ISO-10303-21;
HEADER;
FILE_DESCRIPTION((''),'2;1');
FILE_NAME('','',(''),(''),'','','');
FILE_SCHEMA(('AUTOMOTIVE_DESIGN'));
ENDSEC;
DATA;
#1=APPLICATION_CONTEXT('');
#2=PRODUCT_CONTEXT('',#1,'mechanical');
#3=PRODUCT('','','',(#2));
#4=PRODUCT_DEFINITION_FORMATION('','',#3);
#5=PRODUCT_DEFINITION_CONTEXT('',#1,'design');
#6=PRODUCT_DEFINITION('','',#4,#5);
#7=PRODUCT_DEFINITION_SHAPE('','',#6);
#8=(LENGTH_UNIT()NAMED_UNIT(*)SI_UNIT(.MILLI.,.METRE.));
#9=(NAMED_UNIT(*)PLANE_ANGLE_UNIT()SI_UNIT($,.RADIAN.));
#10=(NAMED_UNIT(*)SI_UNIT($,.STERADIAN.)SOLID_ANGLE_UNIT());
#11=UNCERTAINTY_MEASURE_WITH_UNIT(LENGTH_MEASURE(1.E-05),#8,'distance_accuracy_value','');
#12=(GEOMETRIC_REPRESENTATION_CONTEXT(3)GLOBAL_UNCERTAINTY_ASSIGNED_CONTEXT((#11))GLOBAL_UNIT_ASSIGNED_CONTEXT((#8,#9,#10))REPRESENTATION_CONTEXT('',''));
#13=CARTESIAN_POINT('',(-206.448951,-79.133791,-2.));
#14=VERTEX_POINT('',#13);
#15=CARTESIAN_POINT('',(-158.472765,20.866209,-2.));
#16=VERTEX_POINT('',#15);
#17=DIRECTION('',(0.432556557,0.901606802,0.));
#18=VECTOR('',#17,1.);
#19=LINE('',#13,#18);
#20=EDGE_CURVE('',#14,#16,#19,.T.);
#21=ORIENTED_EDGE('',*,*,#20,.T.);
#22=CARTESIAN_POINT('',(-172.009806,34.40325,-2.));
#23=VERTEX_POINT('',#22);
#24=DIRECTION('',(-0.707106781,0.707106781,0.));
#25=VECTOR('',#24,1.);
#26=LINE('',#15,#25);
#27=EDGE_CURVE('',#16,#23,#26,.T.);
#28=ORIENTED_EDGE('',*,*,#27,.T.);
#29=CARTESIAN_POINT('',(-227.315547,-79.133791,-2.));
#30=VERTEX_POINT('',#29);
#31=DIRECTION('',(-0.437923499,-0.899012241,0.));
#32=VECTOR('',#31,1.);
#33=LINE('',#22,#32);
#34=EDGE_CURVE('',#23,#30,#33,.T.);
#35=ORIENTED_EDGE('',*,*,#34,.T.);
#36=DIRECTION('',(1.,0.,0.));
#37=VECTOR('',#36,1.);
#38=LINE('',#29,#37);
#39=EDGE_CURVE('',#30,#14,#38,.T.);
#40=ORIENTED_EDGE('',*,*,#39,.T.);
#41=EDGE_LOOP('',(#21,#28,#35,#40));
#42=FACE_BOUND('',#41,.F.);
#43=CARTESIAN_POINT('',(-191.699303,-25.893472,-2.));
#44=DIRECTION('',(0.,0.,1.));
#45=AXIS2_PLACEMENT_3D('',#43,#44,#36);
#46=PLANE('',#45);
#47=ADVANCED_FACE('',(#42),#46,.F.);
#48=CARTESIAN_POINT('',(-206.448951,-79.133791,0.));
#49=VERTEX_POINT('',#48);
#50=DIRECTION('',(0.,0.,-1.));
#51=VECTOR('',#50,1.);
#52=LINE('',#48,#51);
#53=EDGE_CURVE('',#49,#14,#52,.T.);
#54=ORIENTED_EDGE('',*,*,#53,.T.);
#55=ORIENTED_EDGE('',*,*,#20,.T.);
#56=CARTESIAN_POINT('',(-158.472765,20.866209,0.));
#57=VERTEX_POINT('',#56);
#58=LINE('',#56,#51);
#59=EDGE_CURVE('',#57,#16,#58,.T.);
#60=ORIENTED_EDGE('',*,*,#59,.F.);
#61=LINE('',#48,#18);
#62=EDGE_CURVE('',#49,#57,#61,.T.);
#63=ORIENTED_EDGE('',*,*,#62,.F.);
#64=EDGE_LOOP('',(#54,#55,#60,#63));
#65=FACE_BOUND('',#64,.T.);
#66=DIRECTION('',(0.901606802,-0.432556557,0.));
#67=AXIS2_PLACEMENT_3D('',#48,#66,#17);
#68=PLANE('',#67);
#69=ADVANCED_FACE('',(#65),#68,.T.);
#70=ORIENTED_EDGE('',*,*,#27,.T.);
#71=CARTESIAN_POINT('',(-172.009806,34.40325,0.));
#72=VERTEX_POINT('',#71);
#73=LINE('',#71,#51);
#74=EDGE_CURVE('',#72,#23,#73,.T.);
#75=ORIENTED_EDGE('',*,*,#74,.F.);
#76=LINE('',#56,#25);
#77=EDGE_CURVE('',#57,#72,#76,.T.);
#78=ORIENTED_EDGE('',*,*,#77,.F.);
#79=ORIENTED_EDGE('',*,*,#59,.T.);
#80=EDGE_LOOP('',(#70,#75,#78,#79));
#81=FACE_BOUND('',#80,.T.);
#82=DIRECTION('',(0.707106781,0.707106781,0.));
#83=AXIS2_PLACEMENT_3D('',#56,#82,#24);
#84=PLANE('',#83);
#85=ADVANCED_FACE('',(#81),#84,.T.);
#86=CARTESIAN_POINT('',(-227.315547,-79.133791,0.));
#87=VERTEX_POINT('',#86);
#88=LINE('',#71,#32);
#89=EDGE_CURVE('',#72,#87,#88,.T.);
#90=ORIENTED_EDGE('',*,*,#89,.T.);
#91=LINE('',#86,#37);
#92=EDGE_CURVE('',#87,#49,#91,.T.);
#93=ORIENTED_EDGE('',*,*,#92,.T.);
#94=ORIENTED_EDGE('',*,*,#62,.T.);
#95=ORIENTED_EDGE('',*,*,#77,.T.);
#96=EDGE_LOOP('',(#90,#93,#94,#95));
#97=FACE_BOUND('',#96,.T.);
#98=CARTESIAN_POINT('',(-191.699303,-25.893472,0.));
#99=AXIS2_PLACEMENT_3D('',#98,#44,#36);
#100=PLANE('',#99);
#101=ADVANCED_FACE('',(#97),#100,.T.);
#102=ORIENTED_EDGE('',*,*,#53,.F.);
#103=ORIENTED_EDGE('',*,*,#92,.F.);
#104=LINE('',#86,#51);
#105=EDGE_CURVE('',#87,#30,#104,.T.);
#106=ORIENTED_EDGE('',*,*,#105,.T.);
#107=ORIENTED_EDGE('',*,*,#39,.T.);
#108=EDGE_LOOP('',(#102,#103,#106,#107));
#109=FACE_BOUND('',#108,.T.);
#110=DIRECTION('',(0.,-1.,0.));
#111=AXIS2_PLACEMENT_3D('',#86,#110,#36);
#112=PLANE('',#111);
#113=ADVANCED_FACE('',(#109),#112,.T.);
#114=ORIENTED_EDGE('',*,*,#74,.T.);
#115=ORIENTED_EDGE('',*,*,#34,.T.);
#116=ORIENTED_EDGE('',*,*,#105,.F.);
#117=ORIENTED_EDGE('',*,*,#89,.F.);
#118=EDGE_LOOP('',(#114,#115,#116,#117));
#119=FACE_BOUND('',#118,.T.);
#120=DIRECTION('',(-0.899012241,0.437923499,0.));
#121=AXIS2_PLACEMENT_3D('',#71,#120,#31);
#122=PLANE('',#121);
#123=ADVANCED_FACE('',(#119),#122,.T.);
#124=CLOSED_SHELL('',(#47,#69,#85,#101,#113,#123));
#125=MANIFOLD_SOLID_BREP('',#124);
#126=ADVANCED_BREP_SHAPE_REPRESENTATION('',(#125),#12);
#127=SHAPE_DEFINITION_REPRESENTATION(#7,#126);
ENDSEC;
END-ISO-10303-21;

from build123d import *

# Parameters (mm, degrees)
BOSS_EXTRUDE1_DEPTH = 2


with BuildPart() as part:
    # Sketch1 → Boss-Extrude1 (new body)
    with BuildSketch(Plane.XY):
        Polygon((-158.472765207, 20.866209459), (-172.009805754, 34.403250006), (-227.315546686, -79.133790541), (-206.448951296, -79.133790541), align=None)
    extrude(amount=-BOSS_EXTRUDE1_DEPTH)


solid = part.part
